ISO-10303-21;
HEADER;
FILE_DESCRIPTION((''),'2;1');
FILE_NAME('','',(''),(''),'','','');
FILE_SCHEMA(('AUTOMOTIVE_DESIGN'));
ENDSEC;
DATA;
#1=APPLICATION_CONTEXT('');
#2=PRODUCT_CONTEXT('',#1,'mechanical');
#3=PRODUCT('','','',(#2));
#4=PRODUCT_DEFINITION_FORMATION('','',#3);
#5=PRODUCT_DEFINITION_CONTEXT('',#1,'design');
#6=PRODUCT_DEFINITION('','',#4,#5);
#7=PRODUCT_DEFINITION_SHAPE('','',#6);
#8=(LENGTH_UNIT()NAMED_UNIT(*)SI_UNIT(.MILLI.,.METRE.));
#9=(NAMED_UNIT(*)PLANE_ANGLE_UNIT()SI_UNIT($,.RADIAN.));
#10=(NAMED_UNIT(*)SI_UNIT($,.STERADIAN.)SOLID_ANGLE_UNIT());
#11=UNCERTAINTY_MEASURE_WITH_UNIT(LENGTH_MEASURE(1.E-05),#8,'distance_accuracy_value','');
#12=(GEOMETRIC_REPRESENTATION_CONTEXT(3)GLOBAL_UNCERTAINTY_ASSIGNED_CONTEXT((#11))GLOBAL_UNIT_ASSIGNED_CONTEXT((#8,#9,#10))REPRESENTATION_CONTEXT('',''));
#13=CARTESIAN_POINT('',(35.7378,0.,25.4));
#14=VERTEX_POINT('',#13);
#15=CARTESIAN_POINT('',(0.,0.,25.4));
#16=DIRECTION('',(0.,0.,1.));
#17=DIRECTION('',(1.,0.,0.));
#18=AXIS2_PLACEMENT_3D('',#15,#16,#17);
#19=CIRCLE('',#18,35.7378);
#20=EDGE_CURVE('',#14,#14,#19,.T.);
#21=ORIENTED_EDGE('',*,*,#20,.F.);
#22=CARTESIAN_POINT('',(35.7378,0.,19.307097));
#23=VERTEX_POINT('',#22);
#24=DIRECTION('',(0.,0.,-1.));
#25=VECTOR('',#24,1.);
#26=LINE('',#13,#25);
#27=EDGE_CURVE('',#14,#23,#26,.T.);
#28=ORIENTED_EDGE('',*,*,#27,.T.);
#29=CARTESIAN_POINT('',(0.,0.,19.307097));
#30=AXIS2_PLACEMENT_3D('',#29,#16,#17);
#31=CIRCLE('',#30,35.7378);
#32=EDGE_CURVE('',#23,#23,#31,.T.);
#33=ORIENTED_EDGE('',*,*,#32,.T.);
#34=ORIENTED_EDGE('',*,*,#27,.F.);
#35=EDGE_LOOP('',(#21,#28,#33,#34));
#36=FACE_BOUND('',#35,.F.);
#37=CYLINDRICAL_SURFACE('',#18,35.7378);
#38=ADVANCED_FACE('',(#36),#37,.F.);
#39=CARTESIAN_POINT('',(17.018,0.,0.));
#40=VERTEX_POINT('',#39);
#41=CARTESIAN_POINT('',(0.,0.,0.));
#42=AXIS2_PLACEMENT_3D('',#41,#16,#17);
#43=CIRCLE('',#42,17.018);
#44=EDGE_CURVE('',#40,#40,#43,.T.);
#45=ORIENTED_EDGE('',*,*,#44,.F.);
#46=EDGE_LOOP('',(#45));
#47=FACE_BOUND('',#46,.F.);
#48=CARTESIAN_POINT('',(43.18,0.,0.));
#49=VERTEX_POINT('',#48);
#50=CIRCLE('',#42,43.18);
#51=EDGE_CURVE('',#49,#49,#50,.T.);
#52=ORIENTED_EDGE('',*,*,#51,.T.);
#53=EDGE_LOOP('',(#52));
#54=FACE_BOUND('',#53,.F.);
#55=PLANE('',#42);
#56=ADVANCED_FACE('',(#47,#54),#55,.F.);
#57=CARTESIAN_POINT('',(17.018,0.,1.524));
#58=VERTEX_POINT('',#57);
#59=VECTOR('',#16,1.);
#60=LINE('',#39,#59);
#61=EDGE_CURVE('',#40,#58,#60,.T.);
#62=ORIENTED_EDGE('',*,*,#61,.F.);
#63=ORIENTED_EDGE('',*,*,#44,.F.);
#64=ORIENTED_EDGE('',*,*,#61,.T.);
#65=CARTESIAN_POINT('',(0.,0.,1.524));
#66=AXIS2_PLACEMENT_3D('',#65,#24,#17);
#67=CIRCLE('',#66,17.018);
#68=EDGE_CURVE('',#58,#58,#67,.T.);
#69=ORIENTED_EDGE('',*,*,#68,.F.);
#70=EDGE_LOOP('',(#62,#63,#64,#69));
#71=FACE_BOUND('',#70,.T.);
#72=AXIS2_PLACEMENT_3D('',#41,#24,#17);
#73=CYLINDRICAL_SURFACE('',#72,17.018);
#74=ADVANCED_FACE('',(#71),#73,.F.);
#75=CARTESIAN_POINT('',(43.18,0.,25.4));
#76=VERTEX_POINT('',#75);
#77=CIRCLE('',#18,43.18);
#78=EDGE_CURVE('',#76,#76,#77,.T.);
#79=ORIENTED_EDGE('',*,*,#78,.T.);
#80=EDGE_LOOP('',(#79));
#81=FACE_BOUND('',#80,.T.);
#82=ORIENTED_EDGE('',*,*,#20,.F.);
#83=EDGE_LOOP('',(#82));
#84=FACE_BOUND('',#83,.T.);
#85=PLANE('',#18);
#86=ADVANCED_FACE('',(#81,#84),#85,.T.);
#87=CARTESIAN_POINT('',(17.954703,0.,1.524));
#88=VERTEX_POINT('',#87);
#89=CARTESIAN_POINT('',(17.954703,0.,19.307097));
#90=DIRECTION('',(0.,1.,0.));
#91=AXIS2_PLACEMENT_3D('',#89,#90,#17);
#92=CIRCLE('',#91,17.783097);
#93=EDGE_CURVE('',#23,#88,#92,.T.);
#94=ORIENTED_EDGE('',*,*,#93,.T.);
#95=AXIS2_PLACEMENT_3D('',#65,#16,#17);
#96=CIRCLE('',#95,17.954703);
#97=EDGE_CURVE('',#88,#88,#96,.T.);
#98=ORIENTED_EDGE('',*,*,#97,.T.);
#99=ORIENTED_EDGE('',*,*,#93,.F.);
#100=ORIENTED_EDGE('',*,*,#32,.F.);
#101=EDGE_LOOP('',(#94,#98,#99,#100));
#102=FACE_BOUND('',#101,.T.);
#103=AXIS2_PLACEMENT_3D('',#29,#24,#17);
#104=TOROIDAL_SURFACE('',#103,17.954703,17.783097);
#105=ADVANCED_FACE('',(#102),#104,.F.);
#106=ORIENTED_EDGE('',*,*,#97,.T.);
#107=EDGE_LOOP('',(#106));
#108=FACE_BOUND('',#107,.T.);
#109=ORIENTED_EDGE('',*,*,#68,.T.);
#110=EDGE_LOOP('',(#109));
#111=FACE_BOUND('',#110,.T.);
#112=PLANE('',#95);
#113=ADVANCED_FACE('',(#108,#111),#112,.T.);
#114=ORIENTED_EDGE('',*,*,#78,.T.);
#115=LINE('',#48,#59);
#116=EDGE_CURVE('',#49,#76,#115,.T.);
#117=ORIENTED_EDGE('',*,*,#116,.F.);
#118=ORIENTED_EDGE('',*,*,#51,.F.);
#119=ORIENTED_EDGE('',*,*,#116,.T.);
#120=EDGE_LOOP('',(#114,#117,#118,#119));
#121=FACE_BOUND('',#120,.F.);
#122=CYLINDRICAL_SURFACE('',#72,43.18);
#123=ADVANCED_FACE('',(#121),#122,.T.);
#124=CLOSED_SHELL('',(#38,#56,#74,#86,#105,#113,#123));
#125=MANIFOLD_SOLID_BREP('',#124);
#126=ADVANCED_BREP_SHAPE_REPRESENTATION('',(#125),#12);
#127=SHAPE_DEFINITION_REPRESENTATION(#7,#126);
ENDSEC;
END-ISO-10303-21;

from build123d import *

# Parameters (mm, degrees)
F0_R     = 43.18
F1_DEPTH = 25.4
F2_R     = 17.018
F3_DEPTH = 27.686
F4_R     = 35.7378
F5_DEPTH = 23.876
F6_R     = 17.783097


with BuildPart() as f1:
    # F0 (on Top) → F1 (new body)
    with BuildSketch(Plane.XY):
        Circle(F0_R)
    extrude(amount=F1_DEPTH)

    # F2 (on face) → F3 (cut)
    with BuildSketch(Plane.XY):
        Circle(F2_R)
    extrude(amount=F3_DEPTH, mode=Mode.SUBTRACT)

    # F4 (on face) → F5 (cut)
    with BuildSketch(Plane.XY.offset(25.4)):
        Circle(F4_R)
    extrude(amount=-F5_DEPTH, mode=Mode.SUBTRACT)

    # F6
    f6_edges = [f1.edges().sort_by_distance(p)[0] for p in [
        (-35.7378, 0, 1.524),
    ]]
    fillet(f6_edges, radius=F6_R)


solid = f1.part
